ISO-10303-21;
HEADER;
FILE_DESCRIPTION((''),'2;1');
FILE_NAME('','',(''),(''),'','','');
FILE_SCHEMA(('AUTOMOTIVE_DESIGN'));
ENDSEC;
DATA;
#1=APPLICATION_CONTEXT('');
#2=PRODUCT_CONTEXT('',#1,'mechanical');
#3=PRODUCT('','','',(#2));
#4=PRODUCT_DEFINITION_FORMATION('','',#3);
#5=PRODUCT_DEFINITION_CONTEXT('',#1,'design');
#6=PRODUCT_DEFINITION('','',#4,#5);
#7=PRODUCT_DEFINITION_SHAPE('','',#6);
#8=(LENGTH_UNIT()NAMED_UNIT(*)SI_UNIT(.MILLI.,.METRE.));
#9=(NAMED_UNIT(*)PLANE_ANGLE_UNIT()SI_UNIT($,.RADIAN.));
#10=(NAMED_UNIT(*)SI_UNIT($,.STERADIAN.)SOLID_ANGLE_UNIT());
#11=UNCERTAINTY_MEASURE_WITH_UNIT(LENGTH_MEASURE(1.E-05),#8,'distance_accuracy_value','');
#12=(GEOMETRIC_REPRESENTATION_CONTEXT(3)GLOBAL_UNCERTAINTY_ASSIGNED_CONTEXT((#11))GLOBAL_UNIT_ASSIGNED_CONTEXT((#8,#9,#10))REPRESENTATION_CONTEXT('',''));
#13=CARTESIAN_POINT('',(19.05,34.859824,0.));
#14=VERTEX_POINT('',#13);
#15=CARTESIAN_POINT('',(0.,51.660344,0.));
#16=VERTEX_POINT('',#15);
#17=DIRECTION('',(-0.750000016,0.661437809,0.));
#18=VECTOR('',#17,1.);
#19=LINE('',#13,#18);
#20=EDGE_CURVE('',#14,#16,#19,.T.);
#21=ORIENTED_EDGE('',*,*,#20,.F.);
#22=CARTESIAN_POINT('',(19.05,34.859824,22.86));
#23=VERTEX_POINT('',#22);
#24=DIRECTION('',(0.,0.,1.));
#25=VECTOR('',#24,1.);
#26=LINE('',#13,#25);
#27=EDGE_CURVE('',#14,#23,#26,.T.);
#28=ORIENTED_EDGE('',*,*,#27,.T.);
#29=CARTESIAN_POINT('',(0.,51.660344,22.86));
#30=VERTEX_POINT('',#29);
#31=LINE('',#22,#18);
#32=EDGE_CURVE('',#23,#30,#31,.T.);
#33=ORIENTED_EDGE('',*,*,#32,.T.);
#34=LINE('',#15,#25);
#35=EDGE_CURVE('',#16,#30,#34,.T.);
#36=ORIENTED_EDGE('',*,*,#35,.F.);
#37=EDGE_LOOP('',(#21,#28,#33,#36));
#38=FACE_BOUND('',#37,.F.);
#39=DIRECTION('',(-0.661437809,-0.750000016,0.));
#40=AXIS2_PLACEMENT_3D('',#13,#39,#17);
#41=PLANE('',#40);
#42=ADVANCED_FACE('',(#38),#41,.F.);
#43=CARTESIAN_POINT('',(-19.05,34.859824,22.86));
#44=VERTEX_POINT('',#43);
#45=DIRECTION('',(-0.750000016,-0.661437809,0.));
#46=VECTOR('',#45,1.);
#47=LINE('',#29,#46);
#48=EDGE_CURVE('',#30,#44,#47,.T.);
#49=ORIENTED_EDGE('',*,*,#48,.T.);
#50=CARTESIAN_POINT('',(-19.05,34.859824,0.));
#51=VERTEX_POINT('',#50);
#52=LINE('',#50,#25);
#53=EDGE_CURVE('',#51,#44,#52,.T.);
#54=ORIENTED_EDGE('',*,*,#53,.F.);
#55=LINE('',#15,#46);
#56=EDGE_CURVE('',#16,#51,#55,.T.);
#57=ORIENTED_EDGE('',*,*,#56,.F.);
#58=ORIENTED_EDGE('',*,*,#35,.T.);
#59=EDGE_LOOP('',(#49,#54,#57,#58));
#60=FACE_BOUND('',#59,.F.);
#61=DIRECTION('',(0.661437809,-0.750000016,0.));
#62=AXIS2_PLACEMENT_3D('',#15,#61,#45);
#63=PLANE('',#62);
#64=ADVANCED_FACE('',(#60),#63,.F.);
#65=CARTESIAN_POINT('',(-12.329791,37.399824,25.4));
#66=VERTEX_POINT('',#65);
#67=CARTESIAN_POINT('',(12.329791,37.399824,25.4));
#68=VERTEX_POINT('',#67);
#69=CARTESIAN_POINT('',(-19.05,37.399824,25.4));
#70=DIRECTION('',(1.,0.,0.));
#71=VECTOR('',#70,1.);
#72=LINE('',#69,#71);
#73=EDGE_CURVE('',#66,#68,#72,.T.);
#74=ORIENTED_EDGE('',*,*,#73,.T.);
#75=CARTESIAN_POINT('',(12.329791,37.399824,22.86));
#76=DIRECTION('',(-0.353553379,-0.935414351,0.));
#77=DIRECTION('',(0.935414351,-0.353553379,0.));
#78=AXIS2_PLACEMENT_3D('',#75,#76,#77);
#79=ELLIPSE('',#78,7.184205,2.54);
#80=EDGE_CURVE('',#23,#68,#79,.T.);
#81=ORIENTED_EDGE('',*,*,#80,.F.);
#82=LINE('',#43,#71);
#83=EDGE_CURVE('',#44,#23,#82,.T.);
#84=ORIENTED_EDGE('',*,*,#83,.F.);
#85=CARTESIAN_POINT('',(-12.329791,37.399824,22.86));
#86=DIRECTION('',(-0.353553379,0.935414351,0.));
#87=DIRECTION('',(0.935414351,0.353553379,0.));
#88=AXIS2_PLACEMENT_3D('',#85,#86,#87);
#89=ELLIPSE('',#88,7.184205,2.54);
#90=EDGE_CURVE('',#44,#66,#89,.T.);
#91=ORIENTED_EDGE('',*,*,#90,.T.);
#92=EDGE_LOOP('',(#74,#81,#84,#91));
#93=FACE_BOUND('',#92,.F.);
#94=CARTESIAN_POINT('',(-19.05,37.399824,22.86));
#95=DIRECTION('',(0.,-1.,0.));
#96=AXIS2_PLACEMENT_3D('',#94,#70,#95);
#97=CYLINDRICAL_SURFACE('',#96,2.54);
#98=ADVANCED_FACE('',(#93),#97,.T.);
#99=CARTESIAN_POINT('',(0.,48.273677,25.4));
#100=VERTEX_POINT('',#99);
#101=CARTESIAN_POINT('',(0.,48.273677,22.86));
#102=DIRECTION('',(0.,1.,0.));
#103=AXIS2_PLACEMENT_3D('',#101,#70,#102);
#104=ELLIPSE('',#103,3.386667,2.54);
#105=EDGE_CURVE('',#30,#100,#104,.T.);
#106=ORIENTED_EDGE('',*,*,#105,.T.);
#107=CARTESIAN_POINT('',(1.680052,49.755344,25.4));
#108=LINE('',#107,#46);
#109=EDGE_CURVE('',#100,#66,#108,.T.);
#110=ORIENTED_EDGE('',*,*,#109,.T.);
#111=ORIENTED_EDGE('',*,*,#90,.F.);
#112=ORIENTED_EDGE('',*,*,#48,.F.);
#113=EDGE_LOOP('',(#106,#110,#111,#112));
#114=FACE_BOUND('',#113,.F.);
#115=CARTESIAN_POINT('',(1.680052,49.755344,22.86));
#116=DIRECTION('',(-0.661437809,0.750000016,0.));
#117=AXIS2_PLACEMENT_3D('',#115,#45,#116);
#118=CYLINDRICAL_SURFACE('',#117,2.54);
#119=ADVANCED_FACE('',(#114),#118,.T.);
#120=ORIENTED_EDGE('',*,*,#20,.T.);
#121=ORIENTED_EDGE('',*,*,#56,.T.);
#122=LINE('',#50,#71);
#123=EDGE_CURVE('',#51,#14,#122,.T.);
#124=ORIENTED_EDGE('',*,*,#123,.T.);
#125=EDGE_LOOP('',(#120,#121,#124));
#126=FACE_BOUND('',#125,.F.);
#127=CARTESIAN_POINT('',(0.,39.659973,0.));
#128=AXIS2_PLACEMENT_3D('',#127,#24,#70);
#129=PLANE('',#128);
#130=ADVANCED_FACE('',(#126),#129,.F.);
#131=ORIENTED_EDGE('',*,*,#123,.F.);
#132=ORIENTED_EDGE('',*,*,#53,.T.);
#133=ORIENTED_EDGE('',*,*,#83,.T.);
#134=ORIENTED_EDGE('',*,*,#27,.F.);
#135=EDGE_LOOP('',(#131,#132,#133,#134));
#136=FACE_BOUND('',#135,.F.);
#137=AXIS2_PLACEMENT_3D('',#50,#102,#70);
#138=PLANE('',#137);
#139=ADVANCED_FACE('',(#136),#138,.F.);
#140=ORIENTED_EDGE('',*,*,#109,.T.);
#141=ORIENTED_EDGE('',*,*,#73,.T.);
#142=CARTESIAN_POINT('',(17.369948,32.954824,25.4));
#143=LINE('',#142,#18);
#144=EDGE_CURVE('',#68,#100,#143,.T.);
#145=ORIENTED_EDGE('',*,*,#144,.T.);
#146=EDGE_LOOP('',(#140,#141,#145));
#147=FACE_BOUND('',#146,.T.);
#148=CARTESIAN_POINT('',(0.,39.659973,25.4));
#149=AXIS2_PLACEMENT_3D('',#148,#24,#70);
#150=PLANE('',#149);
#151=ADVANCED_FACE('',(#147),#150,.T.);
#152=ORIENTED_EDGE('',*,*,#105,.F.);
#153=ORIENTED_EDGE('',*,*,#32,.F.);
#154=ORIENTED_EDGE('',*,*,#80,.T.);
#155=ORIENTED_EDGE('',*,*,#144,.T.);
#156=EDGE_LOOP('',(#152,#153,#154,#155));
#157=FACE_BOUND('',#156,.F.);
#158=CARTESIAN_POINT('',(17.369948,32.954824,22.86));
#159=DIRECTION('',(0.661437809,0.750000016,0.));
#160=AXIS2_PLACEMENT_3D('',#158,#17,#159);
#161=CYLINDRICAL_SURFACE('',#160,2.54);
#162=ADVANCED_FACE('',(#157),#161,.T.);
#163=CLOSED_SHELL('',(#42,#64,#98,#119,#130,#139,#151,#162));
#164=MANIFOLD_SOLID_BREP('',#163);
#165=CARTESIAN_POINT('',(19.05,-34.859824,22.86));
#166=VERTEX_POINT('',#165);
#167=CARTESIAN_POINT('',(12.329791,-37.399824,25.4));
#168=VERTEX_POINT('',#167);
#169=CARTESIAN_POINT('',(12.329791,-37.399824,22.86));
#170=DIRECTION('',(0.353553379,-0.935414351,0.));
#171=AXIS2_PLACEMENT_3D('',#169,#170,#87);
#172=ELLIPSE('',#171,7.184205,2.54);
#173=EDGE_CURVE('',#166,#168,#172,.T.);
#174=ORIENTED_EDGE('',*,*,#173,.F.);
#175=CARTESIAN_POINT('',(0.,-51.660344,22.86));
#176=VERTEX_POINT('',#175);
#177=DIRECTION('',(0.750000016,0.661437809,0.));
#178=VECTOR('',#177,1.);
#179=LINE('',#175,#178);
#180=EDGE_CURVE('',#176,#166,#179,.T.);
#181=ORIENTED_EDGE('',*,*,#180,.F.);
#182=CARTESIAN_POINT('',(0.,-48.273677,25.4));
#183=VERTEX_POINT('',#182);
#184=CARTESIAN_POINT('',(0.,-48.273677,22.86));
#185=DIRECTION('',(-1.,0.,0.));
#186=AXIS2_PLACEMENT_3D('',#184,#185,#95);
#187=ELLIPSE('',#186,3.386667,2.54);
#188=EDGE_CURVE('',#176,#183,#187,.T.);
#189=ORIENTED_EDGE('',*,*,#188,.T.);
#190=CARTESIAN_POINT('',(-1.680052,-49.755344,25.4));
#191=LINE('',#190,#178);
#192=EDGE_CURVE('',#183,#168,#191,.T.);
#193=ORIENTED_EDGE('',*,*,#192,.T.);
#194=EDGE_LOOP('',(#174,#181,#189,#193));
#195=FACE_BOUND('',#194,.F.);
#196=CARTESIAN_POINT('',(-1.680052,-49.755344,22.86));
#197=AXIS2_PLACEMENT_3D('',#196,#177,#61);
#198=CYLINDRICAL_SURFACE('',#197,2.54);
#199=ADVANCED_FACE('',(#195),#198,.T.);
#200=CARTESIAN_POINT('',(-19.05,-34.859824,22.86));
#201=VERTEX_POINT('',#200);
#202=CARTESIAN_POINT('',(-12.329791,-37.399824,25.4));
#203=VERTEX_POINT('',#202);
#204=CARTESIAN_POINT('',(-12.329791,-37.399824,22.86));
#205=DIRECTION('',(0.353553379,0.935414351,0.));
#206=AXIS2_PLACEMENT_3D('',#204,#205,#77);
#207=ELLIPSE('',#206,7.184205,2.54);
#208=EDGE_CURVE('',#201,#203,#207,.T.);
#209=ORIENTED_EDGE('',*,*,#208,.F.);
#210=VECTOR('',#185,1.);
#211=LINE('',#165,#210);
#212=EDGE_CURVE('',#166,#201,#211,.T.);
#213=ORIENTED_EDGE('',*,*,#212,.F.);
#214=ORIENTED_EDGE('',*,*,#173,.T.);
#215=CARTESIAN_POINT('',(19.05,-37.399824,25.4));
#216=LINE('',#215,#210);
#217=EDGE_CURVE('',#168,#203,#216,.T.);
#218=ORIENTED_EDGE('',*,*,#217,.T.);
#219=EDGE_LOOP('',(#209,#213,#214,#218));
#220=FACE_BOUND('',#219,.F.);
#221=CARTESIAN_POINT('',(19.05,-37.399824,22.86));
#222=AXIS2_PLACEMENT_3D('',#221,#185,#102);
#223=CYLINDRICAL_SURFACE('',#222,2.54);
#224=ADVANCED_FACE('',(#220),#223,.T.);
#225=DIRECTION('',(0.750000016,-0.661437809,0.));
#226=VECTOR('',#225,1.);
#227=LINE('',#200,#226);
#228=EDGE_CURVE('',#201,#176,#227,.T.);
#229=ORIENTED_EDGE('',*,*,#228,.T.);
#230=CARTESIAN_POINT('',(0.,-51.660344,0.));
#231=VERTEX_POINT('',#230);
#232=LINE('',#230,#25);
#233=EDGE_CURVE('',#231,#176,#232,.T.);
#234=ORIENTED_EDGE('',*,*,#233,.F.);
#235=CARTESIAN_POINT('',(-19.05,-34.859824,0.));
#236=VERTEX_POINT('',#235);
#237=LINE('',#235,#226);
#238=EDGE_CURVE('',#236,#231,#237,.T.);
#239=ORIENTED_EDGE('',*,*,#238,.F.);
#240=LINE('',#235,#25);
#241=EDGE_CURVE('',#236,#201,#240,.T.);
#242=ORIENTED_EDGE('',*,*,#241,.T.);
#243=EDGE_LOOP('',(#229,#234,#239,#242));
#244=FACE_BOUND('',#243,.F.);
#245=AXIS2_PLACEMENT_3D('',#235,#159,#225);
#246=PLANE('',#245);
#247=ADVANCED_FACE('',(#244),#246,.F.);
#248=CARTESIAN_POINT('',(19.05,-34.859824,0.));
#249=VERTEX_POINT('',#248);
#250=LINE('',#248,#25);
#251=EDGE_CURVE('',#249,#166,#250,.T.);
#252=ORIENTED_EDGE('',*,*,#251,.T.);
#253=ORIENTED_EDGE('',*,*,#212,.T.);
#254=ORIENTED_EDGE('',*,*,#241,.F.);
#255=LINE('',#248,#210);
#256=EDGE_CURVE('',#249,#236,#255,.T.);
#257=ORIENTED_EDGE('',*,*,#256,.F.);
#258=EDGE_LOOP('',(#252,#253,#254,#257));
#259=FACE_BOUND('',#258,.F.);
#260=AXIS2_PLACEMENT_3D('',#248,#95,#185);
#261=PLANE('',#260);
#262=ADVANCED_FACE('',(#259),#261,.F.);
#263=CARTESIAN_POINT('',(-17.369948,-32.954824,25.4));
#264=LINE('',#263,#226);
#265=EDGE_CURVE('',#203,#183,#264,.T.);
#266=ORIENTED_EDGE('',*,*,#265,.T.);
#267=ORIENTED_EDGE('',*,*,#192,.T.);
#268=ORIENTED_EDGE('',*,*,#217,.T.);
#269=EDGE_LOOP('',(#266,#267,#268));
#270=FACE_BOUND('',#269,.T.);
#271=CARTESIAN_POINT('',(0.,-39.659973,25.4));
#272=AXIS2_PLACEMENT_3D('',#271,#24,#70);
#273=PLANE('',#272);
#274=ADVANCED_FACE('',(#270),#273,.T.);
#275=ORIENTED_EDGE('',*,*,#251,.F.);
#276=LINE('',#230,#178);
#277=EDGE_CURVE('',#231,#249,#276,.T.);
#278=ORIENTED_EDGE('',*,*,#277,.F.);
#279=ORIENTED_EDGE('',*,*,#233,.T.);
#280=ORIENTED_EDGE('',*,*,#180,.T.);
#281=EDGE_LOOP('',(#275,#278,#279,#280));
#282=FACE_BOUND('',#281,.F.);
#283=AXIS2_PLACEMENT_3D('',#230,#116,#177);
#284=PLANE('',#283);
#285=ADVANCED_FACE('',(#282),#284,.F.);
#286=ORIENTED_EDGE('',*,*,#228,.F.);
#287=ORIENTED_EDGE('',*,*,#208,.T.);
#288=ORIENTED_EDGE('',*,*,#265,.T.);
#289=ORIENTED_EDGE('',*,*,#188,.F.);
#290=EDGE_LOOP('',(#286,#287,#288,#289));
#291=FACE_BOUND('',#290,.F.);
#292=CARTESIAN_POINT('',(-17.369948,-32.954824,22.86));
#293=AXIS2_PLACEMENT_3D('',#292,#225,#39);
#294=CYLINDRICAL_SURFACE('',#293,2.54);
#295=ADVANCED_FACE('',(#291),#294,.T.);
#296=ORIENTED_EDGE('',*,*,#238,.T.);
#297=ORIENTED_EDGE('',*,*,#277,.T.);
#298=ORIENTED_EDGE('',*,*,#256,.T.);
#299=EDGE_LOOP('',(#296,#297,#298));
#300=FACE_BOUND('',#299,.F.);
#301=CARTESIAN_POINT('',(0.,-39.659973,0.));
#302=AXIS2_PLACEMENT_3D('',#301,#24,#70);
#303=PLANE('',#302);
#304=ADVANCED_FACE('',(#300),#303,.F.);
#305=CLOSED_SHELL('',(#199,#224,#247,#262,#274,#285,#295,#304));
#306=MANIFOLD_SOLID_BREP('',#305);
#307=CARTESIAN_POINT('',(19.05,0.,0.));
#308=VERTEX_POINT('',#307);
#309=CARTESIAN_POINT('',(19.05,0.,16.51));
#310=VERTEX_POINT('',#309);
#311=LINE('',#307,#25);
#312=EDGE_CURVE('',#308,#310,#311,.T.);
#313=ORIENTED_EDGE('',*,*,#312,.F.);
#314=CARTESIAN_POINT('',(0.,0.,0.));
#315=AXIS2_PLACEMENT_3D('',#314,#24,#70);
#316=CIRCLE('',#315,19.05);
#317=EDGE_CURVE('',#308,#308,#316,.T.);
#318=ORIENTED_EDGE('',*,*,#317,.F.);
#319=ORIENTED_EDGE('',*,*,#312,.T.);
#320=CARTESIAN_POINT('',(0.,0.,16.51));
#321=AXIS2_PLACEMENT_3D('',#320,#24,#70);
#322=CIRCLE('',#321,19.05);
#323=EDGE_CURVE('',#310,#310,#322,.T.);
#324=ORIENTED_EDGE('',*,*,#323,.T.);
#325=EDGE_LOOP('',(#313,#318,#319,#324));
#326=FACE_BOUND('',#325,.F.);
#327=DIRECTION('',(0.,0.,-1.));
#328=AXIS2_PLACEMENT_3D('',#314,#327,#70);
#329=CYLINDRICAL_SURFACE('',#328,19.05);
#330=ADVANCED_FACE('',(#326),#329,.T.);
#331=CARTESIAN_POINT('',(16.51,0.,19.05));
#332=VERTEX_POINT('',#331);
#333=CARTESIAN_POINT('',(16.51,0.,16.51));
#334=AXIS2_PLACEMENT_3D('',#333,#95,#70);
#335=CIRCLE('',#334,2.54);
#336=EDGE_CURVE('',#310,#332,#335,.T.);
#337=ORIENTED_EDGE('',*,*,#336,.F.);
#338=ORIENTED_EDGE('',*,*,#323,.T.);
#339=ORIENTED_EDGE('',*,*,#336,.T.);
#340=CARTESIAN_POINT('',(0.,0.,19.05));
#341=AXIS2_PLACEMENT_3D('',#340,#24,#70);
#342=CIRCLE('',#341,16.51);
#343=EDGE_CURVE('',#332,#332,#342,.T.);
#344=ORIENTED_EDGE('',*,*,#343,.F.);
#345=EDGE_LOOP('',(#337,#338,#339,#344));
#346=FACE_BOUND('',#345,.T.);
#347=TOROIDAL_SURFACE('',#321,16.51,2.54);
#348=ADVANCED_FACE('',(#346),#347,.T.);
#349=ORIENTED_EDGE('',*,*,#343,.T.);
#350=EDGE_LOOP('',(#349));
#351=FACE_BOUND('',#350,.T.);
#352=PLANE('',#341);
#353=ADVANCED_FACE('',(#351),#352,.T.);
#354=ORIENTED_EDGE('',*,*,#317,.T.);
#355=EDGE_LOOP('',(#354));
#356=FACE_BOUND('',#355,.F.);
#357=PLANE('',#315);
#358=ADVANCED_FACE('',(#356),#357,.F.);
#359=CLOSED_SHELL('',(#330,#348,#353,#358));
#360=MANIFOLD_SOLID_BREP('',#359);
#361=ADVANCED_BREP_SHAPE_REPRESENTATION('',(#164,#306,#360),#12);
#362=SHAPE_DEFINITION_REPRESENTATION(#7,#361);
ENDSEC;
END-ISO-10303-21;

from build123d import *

# Parameters (mm, degrees)
F1_DEPTH = 25.4
F0_R     = 19.05
F2_DEPTH = 19.05
F3_R     = 2.54
F3_2_R   = 2.54


with BuildPart() as f1:
    # F0 (on Top) → F1 (new body)
    with BuildSketch(Plane.XY):
        Polygon((0, 51.660344), (-19.05, 34.859824), (19.05, 34.859824), align=None)
        Polygon((19.05, -34.859824), (0, -34.859824), (-19.05, -34.859824), (0, -51.660344), align=None)
    extrude(amount=F1_DEPTH)

    # F3#2
    f3_2_edges = [f1.edges().sort_by_distance(p)[0] for p in [
        (0, 34.859824, 25.4),
        (9.525, 43.260084, 25.4),
        (-9.525, 43.260084, 25.4),
        (-9.525, -43.260084, 25.4),
        (9.525, -43.260084, 25.4),
        (0, -34.859824, 25.4),
    ]]
    fillet(f3_2_edges, radius=F3_2_R)


with BuildPart() as f2:
    # F0 (on Top) → F2 (new body)
    with BuildSketch(Plane.XY):
        Circle(F0_R)
    extrude(amount=F2_DEPTH)

    # F3
    f3_edges = [f2.edges().sort_by_distance(p)[0] for p in [
        (-19.05, 0, 19.05),
    ]]
    fillet(f3_edges, radius=F3_R)


solid = Compound([f1.part, f2.part])
